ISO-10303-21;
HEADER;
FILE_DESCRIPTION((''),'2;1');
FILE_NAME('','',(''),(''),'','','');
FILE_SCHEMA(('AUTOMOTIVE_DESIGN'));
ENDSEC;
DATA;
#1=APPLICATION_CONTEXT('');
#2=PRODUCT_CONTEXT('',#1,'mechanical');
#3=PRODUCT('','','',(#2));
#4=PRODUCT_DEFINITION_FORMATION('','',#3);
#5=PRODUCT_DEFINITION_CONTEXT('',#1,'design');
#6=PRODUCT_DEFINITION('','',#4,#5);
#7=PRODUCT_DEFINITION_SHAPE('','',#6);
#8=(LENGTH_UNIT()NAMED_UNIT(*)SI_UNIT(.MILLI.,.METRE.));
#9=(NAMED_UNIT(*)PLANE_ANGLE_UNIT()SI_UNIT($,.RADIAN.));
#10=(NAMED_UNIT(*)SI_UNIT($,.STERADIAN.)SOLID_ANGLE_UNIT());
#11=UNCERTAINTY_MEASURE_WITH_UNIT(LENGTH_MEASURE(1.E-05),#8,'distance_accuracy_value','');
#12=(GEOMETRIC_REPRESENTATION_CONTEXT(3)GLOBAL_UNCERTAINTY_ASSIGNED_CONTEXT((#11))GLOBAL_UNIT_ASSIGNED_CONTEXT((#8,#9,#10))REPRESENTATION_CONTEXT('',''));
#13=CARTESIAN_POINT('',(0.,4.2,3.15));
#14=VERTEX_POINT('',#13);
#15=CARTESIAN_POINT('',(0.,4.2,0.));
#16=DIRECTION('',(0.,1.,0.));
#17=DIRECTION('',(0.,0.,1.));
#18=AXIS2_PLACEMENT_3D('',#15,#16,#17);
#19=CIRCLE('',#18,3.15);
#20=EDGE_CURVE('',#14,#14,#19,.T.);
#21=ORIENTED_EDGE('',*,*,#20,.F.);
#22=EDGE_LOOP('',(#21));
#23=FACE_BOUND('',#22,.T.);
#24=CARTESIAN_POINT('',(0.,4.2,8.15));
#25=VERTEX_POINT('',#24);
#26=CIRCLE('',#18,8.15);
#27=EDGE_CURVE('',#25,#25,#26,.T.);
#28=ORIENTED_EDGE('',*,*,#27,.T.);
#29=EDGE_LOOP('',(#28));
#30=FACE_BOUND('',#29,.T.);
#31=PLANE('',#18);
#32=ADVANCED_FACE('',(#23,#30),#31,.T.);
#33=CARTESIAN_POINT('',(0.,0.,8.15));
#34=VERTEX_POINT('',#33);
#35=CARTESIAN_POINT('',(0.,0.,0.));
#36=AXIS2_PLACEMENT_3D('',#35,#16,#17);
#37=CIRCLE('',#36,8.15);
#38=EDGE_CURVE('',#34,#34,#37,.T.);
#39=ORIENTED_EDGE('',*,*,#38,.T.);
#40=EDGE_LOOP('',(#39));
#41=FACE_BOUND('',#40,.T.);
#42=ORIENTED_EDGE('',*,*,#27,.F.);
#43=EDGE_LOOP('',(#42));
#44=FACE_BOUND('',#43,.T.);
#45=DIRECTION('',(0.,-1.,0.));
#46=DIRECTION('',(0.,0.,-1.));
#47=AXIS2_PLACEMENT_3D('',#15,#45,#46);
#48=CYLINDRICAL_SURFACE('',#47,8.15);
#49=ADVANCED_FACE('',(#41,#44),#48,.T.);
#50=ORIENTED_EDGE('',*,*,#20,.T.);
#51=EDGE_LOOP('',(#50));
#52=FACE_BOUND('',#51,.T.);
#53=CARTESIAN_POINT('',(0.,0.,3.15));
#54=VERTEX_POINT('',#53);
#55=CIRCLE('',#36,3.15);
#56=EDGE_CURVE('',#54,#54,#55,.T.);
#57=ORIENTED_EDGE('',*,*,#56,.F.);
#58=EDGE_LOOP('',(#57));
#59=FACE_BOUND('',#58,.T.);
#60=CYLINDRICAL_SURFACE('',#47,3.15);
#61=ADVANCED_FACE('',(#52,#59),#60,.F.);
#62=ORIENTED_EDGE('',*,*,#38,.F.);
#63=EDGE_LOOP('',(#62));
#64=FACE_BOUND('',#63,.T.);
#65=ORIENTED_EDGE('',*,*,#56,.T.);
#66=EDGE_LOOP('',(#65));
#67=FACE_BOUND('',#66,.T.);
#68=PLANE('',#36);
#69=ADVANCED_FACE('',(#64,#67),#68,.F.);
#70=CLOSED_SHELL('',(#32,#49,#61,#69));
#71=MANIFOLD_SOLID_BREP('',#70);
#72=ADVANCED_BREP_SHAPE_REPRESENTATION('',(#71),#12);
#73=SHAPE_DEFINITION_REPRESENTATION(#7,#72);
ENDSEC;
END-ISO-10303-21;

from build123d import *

# Parameters (mm, degrees)
SKETCH1_R           = 8.15
SKETCH1_R_2         = 3.15
BOSS_EXTRUDE1_DEPTH = 4.2


with BuildPart() as part:
    # Sketch1 → Boss-Extrude1 (new body)
    with BuildSketch(Plane(origin=(0, 0, 0), x_dir=(1, 0, 0), z_dir=(0, 1, 0))):
        with Locations(Location((0, 0, 0), (0, 0, 270))):
            Circle(SKETCH1_R)
        with Locations(Location((0, 0, 0), (0, 0, 270))):
            Circle(SKETCH1_R_2, mode=Mode.SUBTRACT)
    extrude(amount=BOSS_EXTRUDE1_DEPTH)


solid = part.part
